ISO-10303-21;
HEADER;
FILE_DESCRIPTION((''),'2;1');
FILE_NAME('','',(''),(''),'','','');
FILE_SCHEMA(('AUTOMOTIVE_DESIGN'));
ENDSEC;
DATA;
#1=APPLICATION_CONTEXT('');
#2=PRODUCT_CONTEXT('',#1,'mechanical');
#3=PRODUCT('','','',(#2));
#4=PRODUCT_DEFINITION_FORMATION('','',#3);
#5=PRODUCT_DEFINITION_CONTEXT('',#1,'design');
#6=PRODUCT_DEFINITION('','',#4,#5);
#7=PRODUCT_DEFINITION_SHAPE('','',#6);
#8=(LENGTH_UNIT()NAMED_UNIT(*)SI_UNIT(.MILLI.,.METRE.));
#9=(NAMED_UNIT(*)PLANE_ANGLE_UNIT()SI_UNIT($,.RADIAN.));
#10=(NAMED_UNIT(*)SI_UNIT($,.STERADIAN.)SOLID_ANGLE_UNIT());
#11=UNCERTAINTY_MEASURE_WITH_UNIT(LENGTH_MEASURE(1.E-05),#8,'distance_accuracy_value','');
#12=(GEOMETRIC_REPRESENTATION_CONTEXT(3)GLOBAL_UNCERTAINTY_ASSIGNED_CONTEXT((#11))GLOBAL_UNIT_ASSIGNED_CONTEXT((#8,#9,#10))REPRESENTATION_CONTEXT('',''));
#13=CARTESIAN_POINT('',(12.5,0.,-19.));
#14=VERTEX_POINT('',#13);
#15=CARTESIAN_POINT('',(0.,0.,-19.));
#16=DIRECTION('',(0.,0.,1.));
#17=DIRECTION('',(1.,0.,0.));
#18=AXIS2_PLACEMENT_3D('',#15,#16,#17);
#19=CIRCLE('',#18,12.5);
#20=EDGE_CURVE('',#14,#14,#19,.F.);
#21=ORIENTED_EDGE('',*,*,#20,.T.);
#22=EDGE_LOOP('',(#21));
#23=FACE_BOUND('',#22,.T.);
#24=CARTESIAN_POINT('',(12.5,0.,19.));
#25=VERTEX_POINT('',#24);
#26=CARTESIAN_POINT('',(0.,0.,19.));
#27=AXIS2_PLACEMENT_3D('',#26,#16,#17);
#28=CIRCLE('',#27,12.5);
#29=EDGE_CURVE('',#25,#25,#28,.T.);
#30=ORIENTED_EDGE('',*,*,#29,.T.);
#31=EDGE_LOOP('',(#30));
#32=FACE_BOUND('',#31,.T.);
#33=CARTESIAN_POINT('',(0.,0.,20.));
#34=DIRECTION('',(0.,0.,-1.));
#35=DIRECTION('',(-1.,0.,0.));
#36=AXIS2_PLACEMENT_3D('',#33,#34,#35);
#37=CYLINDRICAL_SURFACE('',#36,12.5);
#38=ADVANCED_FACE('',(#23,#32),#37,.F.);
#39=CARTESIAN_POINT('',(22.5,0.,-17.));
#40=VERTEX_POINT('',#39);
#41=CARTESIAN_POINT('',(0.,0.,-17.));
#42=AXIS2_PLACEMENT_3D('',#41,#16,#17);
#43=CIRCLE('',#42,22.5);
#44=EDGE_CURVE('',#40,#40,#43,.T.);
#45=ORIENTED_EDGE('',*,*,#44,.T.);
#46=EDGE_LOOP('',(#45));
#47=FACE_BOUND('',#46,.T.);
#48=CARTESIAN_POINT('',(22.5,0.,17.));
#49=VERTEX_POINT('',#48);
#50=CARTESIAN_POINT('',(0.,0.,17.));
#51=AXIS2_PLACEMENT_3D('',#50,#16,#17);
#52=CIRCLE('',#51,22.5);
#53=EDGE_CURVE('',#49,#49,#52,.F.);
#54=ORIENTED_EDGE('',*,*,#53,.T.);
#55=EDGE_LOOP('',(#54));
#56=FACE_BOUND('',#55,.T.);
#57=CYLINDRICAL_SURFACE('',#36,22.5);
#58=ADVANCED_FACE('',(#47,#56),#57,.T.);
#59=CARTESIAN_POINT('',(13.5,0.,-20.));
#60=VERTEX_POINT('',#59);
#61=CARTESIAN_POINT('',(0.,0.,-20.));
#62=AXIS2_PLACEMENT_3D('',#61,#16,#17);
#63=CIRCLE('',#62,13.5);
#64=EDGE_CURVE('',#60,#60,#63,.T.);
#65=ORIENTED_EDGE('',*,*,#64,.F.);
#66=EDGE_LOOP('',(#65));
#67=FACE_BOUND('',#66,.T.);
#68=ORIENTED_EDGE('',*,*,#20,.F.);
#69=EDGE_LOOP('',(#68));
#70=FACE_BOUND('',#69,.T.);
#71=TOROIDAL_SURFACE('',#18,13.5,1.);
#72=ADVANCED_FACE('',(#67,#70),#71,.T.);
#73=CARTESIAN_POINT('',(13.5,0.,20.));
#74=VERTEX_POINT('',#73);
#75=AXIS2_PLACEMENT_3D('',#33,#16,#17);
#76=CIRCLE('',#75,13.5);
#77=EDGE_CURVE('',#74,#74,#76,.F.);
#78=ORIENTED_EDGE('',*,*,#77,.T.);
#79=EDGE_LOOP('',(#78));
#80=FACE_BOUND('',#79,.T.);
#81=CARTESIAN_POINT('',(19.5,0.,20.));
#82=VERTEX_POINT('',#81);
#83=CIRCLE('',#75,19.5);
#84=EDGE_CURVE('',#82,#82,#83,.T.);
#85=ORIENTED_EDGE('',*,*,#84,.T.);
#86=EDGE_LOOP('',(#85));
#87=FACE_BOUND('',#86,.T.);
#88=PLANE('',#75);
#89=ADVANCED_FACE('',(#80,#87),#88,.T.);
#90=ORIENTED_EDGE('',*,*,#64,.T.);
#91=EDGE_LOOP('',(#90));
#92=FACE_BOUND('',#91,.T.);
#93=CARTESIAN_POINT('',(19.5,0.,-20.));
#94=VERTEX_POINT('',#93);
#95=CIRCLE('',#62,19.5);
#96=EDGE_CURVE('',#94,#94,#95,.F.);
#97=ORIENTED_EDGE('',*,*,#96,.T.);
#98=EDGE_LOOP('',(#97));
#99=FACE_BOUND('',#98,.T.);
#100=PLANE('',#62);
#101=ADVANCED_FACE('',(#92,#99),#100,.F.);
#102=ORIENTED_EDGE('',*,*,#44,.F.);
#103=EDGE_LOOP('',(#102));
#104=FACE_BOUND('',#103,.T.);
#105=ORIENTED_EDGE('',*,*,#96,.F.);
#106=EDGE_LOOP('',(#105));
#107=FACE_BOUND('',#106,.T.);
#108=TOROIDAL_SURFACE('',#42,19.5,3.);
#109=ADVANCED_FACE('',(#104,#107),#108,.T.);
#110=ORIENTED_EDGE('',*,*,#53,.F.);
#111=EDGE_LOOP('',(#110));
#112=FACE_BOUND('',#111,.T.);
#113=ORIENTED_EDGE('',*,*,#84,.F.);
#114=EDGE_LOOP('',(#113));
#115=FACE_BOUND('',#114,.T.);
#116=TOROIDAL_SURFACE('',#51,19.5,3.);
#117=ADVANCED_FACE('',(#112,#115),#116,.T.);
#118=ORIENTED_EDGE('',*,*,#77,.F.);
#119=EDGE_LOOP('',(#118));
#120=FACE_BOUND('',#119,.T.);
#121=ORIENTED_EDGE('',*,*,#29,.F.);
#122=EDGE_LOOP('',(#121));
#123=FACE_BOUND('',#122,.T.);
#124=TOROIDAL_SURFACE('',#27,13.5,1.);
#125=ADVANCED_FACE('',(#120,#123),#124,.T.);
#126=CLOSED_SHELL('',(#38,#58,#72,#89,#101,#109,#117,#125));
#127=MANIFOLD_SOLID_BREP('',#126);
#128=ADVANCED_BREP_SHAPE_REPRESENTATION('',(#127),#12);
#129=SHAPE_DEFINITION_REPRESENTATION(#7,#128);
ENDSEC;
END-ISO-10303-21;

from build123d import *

# Parameters (mm, degrees)
SKETCH1_R           = 22.5
SKETCH1_R_2         = 12.5
BOSS_EXTRUDE1_DEPTH = 20
FILLET1_R           = 3
FILLET2_R           = 1


with BuildPart() as part:
    # Sketch1 → Boss-Extrude1 (new, symmetric)
    with BuildSketch(Plane.XY):
        Circle(SKETCH1_R)
        Circle(SKETCH1_R_2, mode=Mode.SUBTRACT)
    extrude(amount=BOSS_EXTRUDE1_DEPTH, both=True)

    # Fillet1
    fillet1_edges = [part.edges().sort_by_distance(p)[0] for p in [
        (-22.5, 0, 20),
        (-22.5, 0, -20),
    ]]
    fillet(fillet1_edges, radius=FILLET1_R)

    # Fillet2
    fillet2_edges = [part.edges().sort_by_distance(p)[0] for p in [
        (-12.5, 0, -20),
        (-12.5, 0, 20),
    ]]
    fillet(fillet2_edges, radius=FILLET2_R)


solid = part.part
